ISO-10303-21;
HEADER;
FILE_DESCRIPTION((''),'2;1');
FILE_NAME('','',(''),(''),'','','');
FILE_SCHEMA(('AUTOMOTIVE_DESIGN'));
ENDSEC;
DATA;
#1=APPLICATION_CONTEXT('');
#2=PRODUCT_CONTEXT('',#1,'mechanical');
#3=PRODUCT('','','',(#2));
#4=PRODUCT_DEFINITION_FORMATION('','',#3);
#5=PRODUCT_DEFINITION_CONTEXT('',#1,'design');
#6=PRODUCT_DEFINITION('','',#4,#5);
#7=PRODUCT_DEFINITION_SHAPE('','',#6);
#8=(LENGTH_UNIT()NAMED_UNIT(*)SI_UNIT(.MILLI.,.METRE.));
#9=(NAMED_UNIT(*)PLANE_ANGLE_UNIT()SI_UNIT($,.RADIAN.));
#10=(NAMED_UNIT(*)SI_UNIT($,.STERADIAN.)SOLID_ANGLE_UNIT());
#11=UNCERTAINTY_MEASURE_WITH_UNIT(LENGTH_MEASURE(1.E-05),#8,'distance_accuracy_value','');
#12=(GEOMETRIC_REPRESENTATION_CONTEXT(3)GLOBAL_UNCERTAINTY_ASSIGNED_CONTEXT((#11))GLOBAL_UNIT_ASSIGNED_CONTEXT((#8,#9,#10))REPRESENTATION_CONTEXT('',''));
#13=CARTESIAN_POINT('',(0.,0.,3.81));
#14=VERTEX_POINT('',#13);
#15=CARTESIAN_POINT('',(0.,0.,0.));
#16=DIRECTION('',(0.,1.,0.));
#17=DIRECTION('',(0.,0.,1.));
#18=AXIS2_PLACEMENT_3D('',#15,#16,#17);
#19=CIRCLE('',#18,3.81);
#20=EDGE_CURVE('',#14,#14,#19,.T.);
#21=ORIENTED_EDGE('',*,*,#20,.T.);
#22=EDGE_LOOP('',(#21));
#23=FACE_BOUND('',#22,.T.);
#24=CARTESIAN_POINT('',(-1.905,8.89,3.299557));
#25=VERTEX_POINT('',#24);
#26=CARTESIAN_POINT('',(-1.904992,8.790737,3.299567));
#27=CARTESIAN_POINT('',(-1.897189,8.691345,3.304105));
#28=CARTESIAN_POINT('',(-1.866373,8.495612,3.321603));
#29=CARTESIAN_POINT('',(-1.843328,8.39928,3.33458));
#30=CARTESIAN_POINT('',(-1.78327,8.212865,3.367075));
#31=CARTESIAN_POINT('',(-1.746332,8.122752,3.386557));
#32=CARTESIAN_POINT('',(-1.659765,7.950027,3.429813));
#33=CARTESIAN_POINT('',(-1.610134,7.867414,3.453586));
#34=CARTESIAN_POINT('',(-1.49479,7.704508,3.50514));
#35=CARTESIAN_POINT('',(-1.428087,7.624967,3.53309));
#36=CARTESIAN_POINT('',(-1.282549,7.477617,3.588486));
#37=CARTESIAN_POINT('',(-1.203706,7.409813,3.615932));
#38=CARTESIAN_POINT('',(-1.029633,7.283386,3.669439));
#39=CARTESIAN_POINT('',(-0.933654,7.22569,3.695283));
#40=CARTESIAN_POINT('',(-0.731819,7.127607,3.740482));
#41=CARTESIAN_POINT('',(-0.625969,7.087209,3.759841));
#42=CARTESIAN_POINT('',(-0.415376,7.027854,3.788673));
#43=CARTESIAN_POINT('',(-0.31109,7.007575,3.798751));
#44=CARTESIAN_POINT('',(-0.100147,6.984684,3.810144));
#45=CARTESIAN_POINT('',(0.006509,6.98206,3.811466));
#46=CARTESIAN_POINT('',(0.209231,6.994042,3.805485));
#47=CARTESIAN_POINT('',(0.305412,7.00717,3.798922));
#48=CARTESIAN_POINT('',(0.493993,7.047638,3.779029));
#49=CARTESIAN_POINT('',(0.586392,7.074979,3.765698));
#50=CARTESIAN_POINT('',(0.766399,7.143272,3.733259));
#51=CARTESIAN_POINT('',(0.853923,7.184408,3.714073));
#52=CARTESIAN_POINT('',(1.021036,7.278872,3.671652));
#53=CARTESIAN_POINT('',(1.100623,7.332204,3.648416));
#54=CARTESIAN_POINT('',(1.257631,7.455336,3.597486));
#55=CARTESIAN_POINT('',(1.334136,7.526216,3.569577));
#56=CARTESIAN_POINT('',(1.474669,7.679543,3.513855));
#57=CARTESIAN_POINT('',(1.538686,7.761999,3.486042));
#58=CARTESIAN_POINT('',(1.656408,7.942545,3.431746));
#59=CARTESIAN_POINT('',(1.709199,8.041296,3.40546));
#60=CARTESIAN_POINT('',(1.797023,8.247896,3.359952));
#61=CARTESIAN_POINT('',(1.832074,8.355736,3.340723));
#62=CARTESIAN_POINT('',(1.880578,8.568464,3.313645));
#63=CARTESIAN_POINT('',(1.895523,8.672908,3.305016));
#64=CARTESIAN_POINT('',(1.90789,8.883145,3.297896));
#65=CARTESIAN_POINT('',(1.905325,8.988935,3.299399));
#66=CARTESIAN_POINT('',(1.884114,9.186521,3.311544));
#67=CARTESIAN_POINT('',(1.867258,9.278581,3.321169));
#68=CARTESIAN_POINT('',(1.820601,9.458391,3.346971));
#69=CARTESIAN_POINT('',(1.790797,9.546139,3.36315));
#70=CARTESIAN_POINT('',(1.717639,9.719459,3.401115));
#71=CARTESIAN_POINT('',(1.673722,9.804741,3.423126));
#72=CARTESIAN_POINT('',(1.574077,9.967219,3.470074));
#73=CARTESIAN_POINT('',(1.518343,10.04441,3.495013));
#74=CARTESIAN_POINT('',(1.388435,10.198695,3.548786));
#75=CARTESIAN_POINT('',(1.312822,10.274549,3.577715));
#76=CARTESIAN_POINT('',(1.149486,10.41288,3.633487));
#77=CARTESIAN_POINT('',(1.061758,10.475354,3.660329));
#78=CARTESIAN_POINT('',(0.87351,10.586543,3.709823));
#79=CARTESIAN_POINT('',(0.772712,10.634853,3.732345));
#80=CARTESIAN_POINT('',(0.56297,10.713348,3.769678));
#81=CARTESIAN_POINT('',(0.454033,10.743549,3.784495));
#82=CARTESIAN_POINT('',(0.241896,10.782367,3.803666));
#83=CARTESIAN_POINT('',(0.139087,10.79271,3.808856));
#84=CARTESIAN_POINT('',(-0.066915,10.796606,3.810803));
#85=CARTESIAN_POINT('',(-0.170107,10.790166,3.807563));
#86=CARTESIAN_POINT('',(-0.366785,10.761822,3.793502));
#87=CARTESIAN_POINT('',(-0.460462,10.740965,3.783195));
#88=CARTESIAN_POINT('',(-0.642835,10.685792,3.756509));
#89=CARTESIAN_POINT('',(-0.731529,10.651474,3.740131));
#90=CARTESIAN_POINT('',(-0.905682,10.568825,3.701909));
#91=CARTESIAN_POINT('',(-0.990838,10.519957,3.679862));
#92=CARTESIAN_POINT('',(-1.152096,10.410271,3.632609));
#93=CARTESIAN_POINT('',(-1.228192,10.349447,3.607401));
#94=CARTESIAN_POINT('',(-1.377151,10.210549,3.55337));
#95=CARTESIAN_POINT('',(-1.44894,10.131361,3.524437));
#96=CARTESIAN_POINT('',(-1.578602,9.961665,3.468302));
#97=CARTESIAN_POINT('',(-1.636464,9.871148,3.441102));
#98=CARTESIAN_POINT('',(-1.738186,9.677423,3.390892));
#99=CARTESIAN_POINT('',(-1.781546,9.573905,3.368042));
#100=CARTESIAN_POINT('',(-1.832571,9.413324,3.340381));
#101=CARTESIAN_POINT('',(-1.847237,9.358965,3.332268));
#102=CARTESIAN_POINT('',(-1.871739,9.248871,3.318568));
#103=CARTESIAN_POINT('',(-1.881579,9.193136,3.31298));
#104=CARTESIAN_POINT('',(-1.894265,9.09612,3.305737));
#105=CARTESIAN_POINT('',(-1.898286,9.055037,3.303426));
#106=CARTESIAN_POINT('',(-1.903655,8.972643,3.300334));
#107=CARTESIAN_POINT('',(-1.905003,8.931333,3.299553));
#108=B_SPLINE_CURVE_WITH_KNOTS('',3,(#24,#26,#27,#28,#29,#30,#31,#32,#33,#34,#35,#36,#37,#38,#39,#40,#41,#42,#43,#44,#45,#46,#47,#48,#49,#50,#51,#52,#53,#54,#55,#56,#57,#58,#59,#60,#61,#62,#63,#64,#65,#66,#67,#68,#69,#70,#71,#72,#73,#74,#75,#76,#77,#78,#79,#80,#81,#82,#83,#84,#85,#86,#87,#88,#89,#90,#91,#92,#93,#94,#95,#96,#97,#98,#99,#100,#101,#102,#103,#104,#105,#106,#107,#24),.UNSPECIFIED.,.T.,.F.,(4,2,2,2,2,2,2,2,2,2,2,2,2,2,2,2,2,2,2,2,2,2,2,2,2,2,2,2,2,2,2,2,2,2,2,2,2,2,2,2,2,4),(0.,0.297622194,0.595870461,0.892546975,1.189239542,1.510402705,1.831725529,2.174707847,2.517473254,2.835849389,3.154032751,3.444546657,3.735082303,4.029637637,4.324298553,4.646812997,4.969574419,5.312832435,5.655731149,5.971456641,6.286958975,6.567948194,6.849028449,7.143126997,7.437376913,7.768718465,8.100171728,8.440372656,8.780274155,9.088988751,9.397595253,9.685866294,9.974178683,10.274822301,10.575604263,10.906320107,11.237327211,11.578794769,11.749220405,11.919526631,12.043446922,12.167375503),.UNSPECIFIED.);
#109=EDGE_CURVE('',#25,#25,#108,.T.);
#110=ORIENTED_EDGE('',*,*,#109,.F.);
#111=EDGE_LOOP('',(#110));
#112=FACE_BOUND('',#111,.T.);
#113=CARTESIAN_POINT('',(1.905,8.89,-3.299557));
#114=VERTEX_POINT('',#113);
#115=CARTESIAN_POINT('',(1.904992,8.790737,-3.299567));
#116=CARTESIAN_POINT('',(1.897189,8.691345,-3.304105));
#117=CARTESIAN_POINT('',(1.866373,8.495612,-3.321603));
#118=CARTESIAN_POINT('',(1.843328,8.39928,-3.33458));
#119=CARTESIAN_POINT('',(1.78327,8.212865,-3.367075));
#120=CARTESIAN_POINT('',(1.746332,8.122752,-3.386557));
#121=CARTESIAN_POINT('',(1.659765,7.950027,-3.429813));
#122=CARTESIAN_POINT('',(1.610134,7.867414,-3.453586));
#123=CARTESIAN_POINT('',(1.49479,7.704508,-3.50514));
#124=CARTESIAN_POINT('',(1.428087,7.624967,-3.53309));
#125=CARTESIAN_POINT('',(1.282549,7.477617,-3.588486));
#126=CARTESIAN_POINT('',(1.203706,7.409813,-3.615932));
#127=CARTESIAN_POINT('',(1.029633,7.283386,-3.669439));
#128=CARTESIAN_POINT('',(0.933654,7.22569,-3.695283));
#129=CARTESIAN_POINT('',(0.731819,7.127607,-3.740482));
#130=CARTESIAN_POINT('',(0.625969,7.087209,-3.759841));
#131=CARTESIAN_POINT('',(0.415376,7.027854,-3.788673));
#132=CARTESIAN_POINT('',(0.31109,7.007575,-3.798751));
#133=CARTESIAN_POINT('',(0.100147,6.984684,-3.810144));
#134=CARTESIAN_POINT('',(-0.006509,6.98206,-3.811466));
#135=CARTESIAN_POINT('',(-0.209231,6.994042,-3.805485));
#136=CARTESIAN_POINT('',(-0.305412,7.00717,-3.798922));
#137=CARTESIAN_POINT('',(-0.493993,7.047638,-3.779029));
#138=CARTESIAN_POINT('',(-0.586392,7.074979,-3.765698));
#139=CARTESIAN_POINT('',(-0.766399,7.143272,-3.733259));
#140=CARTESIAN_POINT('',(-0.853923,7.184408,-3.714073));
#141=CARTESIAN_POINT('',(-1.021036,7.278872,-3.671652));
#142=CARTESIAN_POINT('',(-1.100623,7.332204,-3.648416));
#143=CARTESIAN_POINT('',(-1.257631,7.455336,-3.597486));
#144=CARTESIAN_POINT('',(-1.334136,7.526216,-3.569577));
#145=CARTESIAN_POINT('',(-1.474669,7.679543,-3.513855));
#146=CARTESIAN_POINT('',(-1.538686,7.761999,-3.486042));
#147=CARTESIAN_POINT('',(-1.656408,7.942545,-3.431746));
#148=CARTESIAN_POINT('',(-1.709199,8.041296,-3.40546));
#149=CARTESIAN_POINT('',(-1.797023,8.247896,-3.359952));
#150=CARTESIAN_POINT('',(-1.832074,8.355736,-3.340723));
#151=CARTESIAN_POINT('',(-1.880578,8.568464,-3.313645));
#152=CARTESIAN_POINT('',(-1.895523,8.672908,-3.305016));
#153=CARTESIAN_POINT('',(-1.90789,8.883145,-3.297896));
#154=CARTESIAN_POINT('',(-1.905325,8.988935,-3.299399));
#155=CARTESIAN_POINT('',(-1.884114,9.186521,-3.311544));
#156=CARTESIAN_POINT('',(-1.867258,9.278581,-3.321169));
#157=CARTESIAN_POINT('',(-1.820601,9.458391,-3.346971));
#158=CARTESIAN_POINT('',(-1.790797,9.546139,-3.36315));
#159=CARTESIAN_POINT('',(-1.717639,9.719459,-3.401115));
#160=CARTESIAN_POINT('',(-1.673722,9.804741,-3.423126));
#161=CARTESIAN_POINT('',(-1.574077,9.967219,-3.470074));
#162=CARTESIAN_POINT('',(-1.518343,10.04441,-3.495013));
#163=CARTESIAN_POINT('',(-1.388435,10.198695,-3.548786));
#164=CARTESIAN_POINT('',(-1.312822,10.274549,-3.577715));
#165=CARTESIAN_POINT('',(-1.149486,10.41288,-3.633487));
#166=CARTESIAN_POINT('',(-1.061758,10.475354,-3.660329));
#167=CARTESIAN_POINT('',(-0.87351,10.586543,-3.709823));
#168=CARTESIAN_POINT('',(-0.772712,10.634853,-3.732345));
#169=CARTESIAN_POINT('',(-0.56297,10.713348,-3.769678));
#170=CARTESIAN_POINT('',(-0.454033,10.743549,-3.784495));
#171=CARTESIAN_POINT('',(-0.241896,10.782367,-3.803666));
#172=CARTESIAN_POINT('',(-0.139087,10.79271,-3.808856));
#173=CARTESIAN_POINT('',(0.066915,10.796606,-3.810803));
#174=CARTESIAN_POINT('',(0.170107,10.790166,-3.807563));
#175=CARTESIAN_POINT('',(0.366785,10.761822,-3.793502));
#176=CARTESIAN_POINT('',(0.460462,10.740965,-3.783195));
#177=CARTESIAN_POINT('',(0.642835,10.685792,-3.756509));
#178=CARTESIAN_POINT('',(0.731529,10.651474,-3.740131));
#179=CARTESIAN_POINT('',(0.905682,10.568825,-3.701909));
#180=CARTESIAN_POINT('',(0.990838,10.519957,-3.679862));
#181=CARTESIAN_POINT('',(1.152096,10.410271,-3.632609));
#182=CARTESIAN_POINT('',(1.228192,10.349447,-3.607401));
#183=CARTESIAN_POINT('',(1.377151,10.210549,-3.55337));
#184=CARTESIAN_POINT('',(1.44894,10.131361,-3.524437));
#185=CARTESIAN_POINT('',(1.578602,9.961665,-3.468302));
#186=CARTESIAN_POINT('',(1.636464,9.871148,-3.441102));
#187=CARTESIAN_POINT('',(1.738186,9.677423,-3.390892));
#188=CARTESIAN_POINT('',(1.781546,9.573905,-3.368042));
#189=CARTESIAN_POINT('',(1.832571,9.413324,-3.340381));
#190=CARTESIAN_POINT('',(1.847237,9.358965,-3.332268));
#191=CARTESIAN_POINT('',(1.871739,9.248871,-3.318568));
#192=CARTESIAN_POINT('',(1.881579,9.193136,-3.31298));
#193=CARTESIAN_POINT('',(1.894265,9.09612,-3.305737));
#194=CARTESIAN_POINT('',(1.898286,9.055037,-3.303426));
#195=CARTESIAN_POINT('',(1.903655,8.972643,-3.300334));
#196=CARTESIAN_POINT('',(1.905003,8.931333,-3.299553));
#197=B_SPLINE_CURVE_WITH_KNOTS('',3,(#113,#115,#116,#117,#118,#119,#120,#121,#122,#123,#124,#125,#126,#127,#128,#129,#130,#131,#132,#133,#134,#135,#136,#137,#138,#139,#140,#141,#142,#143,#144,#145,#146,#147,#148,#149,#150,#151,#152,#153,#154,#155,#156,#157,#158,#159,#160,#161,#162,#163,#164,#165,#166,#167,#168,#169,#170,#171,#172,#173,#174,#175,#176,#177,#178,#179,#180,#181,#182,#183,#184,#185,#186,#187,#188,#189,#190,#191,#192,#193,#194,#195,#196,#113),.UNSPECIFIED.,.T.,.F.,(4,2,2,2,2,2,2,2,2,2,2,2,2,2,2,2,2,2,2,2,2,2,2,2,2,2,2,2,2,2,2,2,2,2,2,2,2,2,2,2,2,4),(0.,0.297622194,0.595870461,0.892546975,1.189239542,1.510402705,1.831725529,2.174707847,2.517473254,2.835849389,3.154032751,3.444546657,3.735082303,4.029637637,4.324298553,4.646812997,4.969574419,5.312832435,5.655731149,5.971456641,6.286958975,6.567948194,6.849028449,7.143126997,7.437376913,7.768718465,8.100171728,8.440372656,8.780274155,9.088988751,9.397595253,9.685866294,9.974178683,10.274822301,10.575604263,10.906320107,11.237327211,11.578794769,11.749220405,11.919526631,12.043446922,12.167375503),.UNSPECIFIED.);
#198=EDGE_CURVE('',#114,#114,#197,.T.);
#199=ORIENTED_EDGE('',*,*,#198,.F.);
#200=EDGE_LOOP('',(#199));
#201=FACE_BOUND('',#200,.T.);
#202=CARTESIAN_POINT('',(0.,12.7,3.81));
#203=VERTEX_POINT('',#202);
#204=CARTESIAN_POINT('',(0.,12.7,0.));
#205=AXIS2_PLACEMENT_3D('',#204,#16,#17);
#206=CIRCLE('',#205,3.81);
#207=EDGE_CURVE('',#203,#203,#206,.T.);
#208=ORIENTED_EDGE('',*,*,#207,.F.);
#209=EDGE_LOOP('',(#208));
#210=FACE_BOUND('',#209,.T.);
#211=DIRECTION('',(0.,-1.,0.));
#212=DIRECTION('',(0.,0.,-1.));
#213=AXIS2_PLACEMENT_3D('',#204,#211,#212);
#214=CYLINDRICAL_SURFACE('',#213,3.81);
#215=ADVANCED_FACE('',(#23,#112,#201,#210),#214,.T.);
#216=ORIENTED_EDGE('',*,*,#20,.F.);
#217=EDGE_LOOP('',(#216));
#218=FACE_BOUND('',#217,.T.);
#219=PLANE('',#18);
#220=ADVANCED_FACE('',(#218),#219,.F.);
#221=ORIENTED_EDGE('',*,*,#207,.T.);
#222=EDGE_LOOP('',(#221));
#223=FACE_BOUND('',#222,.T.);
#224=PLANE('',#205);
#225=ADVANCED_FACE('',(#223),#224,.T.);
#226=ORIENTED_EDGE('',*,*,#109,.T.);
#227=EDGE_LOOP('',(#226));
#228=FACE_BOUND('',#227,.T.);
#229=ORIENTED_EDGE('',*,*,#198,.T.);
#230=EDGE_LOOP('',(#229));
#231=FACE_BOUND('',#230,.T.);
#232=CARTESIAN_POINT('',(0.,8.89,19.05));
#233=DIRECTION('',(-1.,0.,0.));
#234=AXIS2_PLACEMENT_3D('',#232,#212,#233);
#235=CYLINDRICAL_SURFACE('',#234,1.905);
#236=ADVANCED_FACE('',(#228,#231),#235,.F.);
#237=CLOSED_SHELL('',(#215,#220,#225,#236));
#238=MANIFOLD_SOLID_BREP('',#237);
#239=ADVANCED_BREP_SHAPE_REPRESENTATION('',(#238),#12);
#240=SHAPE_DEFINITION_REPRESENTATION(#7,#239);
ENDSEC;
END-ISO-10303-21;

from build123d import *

# Parameters (mm, degrees)
SKETCH1_R                      = 3.81
BOSS_EXTRUDE1_DEPTH            = 12.7
CUT_EXTRUDE1_REACH             = 15.796
CUT_EXTRUDE1_END_RADIUS        = 3.81
SKETCH2_R                      = 1.905
CUT_EXTRUDE1_DIRECTION_2_DEPTH = 19.05


with BuildPart() as part:
    # Sketch1 → Boss-Extrude1 (new body)
    with BuildSketch(Plane(origin=(0, 0, 0), x_dir=(1, 0, 0), z_dir=(0, 1, 0))):
        Circle(SKETCH1_R)
    extrude(amount=BOSS_EXTRUDE1_DEPTH)

    # Cut-Extrude1: up to this cylinder (the profile starts inside it)
    cut_extrude1_end = Plane(origin=(0, 8.89, 0), z_dir=(0, -1, 0)) * Cylinder(CUT_EXTRUDE1_END_RADIUS, 40.212, mode=Mode.PRIVATE)
    # Sketch2 → Cut-Extrude1 (cut, up to the surface)
    with BuildSketch(Plane.XY, mode=Mode.PRIVATE) as cut_extrude1_sk1:
        with Locations((0, 8.89)):
            Circle(SKETCH2_R)
    cut_extrude1_tool1 = extrude(cut_extrude1_sk1.sketch, amount=-CUT_EXTRUDE1_REACH, mode=Mode.PRIVATE) & cut_extrude1_end
    add(cut_extrude1_tool1.solids().sort_by_distance((0, 8.89, 0))[0], mode=Mode.SUBTRACT)

    # Sketch2 → Cut-Extrude1 direction 2 (cut)
    with BuildSketch(Plane.XY):
        with Locations((0, 8.89)):
            Circle(SKETCH2_R)
    extrude(amount=CUT_EXTRUDE1_DIRECTION_2_DEPTH, mode=Mode.SUBTRACT)


solid = part.part
